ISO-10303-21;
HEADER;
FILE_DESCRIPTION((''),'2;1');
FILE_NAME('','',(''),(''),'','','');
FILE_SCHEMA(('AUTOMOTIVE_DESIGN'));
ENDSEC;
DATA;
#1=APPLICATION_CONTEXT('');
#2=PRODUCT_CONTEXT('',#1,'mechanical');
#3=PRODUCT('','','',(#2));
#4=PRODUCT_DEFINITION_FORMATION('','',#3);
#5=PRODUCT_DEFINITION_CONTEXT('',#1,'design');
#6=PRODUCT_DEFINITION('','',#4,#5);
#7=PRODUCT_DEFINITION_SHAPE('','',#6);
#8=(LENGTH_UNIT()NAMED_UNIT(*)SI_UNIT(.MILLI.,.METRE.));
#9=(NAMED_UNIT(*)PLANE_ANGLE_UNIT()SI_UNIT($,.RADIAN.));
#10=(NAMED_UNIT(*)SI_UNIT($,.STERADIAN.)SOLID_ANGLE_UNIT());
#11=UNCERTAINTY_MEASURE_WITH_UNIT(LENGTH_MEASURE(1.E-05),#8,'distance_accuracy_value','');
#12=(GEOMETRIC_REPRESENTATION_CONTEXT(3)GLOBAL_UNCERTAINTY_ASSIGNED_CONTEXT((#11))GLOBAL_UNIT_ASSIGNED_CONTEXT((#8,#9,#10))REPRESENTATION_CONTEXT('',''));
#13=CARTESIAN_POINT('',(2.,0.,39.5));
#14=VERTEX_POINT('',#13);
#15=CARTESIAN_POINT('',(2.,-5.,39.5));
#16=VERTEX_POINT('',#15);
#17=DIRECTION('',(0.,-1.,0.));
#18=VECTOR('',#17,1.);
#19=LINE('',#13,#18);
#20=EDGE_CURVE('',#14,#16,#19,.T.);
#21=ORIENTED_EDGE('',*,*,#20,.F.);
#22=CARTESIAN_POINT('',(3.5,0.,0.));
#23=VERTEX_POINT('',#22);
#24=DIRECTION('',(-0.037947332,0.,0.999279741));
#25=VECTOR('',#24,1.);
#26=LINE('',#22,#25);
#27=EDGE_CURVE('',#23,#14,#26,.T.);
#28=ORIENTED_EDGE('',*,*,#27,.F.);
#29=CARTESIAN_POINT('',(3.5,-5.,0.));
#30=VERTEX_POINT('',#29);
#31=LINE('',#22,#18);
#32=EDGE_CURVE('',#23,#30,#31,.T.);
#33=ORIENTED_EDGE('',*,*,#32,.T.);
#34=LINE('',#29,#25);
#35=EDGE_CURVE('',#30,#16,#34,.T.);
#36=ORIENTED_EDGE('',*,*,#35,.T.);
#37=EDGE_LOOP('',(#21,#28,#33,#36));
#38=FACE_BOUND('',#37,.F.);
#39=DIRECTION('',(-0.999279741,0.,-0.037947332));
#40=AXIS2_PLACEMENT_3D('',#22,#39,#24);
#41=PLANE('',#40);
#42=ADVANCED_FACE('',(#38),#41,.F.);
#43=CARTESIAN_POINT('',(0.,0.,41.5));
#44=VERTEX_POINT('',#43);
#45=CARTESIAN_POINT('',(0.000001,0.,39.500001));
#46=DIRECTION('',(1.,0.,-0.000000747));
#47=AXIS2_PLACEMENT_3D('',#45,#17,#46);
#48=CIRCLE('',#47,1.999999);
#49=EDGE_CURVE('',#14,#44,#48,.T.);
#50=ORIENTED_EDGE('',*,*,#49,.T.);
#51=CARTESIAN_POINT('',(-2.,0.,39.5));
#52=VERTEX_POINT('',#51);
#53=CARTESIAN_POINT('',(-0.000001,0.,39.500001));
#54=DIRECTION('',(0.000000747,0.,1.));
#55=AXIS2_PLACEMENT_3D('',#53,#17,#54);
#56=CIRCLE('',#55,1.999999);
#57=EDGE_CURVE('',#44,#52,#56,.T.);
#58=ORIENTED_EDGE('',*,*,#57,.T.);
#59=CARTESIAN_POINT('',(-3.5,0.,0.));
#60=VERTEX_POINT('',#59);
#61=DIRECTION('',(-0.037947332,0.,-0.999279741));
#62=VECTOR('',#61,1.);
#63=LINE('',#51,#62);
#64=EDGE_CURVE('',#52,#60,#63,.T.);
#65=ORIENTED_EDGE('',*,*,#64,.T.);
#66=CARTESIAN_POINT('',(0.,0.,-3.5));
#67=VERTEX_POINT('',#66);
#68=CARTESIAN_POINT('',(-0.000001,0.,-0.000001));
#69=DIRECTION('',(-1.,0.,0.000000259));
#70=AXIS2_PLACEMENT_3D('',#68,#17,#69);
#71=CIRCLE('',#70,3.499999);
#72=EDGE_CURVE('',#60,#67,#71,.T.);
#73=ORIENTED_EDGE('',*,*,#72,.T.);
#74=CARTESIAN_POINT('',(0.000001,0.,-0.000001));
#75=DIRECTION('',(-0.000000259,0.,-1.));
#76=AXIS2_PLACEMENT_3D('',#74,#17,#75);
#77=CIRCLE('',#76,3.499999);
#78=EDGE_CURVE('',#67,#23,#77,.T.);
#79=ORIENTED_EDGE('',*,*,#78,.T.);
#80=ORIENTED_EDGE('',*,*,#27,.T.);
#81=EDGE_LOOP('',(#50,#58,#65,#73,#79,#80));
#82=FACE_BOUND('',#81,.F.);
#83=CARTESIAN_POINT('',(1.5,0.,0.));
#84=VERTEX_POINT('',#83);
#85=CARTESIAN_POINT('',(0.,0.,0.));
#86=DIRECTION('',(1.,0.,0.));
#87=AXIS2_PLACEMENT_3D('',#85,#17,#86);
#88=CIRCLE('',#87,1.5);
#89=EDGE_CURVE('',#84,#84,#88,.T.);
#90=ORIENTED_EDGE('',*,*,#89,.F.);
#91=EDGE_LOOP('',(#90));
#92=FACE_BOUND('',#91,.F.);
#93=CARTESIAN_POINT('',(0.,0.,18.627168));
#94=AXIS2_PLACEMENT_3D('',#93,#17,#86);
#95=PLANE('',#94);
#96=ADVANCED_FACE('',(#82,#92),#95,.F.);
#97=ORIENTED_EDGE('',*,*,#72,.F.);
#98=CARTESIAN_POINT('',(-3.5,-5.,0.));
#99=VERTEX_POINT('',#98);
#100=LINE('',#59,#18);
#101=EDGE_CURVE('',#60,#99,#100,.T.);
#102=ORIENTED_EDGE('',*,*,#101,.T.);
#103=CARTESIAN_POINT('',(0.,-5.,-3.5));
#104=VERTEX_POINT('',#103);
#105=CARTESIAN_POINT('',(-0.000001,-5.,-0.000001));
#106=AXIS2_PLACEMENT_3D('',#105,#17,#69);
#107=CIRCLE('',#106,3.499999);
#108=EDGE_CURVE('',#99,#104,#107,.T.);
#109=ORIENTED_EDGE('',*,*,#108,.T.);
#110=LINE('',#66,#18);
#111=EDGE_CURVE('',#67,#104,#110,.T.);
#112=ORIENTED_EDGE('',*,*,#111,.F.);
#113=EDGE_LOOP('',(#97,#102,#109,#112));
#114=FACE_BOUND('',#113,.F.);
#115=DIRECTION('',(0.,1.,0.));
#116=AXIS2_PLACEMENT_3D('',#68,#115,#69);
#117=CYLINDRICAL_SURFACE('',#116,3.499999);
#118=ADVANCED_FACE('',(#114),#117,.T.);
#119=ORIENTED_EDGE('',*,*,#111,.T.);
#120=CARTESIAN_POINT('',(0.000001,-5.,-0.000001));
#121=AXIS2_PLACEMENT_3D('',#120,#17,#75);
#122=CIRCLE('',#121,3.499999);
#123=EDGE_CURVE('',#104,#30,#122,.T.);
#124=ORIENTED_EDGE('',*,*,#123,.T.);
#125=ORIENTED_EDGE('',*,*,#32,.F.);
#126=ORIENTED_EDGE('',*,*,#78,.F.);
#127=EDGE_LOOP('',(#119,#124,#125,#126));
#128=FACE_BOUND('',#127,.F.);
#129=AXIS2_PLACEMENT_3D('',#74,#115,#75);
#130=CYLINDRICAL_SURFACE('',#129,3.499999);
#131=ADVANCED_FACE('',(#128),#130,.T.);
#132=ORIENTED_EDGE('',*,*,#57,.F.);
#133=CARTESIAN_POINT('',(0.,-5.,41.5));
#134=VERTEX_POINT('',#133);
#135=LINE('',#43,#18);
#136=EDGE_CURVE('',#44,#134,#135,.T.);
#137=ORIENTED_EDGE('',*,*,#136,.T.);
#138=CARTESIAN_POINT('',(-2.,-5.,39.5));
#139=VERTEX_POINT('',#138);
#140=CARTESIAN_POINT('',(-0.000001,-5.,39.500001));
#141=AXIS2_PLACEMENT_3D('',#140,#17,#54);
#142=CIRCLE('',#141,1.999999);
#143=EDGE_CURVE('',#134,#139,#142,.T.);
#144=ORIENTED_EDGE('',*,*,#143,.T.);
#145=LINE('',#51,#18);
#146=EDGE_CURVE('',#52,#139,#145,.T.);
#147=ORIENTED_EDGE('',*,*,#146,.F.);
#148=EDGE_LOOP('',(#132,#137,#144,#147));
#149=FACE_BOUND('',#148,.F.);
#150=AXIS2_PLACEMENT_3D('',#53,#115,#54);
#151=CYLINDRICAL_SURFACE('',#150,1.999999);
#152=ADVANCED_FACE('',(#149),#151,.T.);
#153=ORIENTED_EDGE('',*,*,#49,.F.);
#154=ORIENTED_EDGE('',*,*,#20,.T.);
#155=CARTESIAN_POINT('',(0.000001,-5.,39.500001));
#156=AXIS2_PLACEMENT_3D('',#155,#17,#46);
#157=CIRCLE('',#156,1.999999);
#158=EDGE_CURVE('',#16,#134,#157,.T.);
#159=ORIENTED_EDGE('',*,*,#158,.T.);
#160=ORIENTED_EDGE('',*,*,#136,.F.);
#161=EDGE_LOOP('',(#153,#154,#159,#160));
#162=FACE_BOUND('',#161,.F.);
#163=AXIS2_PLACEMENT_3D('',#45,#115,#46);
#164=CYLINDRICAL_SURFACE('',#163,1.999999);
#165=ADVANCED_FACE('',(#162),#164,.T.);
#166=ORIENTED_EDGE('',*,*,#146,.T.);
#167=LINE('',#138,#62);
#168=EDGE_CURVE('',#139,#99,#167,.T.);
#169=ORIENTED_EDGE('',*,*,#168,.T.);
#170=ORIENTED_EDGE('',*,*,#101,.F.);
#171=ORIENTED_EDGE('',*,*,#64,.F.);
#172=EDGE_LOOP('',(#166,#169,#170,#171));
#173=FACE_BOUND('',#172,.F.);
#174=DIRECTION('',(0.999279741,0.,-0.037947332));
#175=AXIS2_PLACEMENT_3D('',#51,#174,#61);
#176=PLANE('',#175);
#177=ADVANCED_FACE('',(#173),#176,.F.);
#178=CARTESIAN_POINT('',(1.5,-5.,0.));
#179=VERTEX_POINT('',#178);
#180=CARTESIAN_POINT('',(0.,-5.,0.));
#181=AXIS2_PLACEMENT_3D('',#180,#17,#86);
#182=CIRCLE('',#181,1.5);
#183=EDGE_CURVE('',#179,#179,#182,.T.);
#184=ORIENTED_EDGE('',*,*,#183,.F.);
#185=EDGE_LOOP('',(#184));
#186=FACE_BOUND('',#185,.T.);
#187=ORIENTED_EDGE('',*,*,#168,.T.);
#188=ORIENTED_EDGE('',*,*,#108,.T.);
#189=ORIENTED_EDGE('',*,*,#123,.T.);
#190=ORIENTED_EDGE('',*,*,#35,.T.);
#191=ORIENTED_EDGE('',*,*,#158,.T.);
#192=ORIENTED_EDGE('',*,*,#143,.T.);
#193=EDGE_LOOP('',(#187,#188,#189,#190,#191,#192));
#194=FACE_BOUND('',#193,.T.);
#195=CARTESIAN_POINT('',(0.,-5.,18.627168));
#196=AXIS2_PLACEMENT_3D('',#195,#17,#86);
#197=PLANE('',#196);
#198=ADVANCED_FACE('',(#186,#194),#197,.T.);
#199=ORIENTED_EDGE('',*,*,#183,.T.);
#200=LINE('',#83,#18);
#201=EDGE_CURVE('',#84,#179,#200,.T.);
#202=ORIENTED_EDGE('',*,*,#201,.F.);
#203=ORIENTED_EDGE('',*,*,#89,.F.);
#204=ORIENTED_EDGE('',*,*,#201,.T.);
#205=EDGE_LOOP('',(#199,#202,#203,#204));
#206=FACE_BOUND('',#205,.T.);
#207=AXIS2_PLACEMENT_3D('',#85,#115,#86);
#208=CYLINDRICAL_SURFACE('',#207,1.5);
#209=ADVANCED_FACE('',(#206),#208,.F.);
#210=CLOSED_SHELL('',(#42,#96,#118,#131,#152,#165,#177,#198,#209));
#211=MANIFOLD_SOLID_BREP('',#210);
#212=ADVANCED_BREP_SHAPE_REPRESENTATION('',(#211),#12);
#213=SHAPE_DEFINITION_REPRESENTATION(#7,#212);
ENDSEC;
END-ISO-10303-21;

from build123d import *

# Parameters (mm, degrees)
F0_R     = 1.5
F1_DEPTH = 5


with BuildPart() as f1:
    # F0 (on Front) → F1 (new body)
    with BuildSketch(Plane.XZ):
        with BuildLine():
            Line((-2, 39.5), (-3.5, 0))
            ThreePointArc((-3.5, 0), (-2.474874, -2.474874), (0, -3.5))
            ThreePointArc((0, -3.5), (2.474874, -2.474874), (3.5, 0))
            Line((3.5, 0), (2, 39.5))
            ThreePointArc((2, 39.5), (1.414214, 40.914214), (0, 41.5))
            ThreePointArc((0, 41.5), (-1.414214, 40.914214), (-2, 39.5))
        make_face()
        Circle(F0_R, mode=Mode.SUBTRACT)
    extrude(amount=F1_DEPTH)


solid = f1.part
